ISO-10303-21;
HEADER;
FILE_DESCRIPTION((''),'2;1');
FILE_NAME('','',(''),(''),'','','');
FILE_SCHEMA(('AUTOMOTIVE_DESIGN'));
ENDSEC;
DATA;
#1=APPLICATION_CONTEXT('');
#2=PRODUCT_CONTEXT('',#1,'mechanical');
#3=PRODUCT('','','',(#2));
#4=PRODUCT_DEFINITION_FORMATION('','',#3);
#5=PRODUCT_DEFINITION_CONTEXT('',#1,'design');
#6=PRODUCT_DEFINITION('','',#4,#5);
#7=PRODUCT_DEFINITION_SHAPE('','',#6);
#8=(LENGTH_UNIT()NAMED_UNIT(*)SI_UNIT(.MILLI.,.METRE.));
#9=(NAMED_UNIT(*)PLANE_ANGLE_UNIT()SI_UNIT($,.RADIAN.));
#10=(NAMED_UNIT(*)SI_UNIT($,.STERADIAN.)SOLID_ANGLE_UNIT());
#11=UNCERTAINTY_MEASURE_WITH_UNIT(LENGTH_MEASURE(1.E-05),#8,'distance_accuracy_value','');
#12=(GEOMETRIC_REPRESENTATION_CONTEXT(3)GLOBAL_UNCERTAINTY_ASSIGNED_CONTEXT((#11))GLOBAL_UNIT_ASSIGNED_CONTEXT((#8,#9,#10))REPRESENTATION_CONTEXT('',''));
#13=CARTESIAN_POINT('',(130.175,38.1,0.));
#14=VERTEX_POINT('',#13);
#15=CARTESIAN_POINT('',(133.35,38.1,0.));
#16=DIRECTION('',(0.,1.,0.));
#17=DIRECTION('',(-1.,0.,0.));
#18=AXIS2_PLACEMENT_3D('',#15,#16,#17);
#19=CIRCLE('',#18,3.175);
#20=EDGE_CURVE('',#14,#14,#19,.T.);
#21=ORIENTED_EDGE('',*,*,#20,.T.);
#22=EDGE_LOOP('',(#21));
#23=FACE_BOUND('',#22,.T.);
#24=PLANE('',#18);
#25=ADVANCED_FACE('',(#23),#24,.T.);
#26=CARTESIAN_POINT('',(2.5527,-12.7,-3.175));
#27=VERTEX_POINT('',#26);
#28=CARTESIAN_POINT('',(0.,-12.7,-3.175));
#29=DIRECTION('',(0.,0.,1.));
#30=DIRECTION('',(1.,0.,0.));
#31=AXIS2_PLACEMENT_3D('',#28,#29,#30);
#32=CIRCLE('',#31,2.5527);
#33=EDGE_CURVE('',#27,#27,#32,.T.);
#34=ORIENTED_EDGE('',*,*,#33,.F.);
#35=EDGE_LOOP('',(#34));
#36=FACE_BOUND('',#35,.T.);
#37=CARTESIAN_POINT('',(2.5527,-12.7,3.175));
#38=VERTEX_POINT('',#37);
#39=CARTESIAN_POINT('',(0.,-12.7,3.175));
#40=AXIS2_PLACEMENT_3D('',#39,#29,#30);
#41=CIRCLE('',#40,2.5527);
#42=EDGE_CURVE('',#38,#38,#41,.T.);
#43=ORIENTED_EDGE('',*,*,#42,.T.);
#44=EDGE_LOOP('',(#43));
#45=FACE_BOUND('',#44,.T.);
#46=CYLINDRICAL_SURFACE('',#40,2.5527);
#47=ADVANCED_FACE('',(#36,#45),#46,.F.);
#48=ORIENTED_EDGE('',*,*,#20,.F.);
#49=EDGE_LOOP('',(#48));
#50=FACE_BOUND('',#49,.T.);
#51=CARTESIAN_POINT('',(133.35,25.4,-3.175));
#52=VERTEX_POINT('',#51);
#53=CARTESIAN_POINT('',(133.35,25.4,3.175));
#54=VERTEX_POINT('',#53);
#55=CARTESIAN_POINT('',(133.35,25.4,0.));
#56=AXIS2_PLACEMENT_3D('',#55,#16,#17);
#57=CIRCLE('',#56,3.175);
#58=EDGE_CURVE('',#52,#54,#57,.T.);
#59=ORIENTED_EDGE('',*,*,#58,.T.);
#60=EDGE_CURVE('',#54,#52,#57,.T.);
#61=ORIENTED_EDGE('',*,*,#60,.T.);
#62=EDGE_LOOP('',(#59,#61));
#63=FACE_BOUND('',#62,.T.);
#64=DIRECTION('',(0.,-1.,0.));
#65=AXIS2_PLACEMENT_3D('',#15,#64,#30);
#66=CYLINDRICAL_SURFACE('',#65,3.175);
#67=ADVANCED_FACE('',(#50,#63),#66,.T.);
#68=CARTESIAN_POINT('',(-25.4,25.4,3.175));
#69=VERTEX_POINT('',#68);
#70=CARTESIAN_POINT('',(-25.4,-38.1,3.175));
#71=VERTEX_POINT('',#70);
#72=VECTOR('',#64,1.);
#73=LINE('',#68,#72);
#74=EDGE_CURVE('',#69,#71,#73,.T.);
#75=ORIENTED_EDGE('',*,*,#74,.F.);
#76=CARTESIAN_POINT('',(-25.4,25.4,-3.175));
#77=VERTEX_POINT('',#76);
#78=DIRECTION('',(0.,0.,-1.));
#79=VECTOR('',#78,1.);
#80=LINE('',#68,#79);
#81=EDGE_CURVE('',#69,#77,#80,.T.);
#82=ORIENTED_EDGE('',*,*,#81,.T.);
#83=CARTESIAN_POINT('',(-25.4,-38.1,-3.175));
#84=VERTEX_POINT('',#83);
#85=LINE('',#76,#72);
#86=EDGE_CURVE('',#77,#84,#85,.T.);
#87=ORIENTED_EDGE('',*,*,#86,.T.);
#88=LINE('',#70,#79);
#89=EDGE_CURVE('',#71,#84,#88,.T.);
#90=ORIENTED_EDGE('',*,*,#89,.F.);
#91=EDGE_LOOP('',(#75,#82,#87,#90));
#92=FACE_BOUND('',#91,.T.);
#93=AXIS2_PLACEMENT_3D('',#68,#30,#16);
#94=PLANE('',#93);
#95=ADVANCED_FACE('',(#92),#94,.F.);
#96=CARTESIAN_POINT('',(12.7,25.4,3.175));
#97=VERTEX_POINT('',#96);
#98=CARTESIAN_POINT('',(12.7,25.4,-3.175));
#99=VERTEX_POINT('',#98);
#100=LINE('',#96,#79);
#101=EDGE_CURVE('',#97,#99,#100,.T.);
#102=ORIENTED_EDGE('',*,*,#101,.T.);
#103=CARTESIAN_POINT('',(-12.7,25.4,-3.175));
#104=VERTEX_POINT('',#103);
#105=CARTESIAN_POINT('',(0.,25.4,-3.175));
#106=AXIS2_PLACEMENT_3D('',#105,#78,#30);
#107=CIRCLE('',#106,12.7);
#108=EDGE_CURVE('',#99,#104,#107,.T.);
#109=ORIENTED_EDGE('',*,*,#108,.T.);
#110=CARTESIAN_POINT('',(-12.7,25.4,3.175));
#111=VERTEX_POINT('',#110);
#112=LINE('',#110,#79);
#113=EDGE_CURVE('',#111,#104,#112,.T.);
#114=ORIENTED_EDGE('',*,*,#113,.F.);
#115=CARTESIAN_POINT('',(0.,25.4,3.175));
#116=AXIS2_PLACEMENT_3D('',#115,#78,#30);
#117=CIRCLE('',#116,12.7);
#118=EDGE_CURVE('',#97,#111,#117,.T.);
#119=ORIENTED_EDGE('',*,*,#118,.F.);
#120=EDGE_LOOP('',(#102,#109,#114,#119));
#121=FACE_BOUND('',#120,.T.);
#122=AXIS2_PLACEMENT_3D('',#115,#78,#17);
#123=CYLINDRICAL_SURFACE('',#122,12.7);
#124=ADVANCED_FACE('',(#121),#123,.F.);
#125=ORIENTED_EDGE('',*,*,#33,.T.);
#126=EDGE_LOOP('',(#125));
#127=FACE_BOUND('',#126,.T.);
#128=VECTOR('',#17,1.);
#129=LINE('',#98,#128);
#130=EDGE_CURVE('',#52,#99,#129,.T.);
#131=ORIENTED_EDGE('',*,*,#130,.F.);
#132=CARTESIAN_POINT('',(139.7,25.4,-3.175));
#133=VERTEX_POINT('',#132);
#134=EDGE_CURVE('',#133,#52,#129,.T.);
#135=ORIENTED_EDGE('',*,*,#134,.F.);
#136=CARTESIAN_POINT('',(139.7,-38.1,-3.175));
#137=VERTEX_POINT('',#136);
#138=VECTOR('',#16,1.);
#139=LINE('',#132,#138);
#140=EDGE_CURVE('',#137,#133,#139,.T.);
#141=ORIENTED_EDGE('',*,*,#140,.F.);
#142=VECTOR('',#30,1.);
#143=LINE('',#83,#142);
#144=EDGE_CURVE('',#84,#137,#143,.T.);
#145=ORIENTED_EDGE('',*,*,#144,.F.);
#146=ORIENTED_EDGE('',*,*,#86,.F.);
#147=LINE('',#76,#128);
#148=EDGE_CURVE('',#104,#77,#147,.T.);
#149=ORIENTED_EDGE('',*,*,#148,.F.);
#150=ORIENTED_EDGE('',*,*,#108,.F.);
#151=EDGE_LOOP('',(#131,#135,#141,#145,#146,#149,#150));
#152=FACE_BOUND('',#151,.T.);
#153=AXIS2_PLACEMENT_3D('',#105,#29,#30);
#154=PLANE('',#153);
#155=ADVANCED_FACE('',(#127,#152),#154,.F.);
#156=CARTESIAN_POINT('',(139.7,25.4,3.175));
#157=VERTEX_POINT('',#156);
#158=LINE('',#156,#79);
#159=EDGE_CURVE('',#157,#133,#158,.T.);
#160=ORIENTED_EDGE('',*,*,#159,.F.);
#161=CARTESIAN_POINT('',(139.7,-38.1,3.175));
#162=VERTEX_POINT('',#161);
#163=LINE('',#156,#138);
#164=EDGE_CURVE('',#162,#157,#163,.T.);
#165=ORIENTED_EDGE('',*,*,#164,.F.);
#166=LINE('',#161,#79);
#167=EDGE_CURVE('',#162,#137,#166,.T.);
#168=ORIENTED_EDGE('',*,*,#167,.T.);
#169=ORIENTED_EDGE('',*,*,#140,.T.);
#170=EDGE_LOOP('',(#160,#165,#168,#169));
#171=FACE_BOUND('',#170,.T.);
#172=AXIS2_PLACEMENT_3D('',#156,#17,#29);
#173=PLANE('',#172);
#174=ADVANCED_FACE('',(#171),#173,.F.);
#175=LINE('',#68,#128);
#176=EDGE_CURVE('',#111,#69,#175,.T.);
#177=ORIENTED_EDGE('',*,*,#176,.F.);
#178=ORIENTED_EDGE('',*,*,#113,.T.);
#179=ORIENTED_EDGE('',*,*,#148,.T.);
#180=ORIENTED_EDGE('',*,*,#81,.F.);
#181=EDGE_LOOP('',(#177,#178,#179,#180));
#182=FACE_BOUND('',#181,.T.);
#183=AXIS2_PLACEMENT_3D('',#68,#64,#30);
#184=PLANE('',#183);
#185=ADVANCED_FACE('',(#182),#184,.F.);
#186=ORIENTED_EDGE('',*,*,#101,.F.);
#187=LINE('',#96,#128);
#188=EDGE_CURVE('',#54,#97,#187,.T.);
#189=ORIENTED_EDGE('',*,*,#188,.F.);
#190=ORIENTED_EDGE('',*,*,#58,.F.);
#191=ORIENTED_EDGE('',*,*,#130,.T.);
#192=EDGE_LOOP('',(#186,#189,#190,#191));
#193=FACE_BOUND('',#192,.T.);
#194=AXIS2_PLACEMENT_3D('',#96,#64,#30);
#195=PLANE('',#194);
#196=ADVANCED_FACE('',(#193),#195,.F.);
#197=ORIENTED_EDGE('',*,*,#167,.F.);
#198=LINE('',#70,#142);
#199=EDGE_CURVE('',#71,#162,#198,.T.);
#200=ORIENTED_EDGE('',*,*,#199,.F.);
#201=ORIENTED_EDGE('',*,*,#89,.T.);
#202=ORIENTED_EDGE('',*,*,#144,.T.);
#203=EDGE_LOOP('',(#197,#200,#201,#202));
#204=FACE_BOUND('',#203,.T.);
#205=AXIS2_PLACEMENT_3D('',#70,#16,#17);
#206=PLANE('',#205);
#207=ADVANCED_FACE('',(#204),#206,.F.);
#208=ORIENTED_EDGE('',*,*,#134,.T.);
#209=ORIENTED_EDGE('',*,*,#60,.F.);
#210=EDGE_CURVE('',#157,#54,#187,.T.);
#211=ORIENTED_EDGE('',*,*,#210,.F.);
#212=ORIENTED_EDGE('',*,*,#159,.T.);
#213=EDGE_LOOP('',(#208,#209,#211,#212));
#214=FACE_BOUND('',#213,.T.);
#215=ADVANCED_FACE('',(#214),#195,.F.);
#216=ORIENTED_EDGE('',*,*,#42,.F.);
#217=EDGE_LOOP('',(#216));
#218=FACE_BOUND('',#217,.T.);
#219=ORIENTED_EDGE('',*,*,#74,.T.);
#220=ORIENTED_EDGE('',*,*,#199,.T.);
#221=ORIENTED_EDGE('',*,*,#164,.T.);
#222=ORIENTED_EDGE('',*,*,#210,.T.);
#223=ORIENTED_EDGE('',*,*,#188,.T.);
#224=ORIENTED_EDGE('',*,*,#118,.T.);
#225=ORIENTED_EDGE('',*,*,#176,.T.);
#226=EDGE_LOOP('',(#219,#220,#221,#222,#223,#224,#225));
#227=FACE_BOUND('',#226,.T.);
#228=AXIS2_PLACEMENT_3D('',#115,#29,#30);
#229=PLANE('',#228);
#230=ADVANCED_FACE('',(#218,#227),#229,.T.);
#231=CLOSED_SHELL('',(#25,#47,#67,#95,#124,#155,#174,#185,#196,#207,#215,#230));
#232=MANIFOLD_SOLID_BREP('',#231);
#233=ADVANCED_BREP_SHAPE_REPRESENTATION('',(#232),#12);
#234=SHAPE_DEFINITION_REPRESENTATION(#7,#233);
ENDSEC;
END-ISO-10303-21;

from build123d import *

# Parameters (mm, degrees)
BOSS_EXTRUDE1_DEPTH     = 3.175
F_1_4_20_TAPPED_HOLE1_D = 5.1054
SKETCH4_R               = 3.175
BOSS_EXTRUDE2_DEPTH     = 12.7


with BuildPart() as part:
    # Sketch1 → Boss-Extrude1 (new, symmetric)
    with BuildSketch(Plane.XY):
        with BuildLine():
            Line((-25.4, 25.4), (-12.7, 25.4))
            ThreePointArc((-12.7, 25.4), (0, 12.7), (12.7, 25.4))
            Line((12.7, 25.4), (139.7, 25.4))
            Line((139.7, 25.4), (139.7, -38.1))
            Line((139.7, -38.1), (-25.4, -38.1))
            Line((-25.4, -38.1), (-25.4, 25.4))
        make_face()
    extrude(amount=BOSS_EXTRUDE1_DEPTH, both=True)

    # 1/4-20 Tapped Hole1 (through all)
    with Locations(Plane.XY.offset(3.175)):
        with Locations((0, -12.7)):
            Hole(F_1_4_20_TAPPED_HOLE1_D / 2)

    # Sketch4 → Boss-Extrude2 (add)
    with BuildSketch(Plane(origin=(0, 25.4, 0), x_dir=(1, 0, 0), z_dir=(0, 1, 0))):
        with Locations(Location((133.35, 0, 0), (0, 0, 90))):
            Circle(SKETCH4_R)
    extrude(amount=BOSS_EXTRUDE2_DEPTH)


solid = part.part
